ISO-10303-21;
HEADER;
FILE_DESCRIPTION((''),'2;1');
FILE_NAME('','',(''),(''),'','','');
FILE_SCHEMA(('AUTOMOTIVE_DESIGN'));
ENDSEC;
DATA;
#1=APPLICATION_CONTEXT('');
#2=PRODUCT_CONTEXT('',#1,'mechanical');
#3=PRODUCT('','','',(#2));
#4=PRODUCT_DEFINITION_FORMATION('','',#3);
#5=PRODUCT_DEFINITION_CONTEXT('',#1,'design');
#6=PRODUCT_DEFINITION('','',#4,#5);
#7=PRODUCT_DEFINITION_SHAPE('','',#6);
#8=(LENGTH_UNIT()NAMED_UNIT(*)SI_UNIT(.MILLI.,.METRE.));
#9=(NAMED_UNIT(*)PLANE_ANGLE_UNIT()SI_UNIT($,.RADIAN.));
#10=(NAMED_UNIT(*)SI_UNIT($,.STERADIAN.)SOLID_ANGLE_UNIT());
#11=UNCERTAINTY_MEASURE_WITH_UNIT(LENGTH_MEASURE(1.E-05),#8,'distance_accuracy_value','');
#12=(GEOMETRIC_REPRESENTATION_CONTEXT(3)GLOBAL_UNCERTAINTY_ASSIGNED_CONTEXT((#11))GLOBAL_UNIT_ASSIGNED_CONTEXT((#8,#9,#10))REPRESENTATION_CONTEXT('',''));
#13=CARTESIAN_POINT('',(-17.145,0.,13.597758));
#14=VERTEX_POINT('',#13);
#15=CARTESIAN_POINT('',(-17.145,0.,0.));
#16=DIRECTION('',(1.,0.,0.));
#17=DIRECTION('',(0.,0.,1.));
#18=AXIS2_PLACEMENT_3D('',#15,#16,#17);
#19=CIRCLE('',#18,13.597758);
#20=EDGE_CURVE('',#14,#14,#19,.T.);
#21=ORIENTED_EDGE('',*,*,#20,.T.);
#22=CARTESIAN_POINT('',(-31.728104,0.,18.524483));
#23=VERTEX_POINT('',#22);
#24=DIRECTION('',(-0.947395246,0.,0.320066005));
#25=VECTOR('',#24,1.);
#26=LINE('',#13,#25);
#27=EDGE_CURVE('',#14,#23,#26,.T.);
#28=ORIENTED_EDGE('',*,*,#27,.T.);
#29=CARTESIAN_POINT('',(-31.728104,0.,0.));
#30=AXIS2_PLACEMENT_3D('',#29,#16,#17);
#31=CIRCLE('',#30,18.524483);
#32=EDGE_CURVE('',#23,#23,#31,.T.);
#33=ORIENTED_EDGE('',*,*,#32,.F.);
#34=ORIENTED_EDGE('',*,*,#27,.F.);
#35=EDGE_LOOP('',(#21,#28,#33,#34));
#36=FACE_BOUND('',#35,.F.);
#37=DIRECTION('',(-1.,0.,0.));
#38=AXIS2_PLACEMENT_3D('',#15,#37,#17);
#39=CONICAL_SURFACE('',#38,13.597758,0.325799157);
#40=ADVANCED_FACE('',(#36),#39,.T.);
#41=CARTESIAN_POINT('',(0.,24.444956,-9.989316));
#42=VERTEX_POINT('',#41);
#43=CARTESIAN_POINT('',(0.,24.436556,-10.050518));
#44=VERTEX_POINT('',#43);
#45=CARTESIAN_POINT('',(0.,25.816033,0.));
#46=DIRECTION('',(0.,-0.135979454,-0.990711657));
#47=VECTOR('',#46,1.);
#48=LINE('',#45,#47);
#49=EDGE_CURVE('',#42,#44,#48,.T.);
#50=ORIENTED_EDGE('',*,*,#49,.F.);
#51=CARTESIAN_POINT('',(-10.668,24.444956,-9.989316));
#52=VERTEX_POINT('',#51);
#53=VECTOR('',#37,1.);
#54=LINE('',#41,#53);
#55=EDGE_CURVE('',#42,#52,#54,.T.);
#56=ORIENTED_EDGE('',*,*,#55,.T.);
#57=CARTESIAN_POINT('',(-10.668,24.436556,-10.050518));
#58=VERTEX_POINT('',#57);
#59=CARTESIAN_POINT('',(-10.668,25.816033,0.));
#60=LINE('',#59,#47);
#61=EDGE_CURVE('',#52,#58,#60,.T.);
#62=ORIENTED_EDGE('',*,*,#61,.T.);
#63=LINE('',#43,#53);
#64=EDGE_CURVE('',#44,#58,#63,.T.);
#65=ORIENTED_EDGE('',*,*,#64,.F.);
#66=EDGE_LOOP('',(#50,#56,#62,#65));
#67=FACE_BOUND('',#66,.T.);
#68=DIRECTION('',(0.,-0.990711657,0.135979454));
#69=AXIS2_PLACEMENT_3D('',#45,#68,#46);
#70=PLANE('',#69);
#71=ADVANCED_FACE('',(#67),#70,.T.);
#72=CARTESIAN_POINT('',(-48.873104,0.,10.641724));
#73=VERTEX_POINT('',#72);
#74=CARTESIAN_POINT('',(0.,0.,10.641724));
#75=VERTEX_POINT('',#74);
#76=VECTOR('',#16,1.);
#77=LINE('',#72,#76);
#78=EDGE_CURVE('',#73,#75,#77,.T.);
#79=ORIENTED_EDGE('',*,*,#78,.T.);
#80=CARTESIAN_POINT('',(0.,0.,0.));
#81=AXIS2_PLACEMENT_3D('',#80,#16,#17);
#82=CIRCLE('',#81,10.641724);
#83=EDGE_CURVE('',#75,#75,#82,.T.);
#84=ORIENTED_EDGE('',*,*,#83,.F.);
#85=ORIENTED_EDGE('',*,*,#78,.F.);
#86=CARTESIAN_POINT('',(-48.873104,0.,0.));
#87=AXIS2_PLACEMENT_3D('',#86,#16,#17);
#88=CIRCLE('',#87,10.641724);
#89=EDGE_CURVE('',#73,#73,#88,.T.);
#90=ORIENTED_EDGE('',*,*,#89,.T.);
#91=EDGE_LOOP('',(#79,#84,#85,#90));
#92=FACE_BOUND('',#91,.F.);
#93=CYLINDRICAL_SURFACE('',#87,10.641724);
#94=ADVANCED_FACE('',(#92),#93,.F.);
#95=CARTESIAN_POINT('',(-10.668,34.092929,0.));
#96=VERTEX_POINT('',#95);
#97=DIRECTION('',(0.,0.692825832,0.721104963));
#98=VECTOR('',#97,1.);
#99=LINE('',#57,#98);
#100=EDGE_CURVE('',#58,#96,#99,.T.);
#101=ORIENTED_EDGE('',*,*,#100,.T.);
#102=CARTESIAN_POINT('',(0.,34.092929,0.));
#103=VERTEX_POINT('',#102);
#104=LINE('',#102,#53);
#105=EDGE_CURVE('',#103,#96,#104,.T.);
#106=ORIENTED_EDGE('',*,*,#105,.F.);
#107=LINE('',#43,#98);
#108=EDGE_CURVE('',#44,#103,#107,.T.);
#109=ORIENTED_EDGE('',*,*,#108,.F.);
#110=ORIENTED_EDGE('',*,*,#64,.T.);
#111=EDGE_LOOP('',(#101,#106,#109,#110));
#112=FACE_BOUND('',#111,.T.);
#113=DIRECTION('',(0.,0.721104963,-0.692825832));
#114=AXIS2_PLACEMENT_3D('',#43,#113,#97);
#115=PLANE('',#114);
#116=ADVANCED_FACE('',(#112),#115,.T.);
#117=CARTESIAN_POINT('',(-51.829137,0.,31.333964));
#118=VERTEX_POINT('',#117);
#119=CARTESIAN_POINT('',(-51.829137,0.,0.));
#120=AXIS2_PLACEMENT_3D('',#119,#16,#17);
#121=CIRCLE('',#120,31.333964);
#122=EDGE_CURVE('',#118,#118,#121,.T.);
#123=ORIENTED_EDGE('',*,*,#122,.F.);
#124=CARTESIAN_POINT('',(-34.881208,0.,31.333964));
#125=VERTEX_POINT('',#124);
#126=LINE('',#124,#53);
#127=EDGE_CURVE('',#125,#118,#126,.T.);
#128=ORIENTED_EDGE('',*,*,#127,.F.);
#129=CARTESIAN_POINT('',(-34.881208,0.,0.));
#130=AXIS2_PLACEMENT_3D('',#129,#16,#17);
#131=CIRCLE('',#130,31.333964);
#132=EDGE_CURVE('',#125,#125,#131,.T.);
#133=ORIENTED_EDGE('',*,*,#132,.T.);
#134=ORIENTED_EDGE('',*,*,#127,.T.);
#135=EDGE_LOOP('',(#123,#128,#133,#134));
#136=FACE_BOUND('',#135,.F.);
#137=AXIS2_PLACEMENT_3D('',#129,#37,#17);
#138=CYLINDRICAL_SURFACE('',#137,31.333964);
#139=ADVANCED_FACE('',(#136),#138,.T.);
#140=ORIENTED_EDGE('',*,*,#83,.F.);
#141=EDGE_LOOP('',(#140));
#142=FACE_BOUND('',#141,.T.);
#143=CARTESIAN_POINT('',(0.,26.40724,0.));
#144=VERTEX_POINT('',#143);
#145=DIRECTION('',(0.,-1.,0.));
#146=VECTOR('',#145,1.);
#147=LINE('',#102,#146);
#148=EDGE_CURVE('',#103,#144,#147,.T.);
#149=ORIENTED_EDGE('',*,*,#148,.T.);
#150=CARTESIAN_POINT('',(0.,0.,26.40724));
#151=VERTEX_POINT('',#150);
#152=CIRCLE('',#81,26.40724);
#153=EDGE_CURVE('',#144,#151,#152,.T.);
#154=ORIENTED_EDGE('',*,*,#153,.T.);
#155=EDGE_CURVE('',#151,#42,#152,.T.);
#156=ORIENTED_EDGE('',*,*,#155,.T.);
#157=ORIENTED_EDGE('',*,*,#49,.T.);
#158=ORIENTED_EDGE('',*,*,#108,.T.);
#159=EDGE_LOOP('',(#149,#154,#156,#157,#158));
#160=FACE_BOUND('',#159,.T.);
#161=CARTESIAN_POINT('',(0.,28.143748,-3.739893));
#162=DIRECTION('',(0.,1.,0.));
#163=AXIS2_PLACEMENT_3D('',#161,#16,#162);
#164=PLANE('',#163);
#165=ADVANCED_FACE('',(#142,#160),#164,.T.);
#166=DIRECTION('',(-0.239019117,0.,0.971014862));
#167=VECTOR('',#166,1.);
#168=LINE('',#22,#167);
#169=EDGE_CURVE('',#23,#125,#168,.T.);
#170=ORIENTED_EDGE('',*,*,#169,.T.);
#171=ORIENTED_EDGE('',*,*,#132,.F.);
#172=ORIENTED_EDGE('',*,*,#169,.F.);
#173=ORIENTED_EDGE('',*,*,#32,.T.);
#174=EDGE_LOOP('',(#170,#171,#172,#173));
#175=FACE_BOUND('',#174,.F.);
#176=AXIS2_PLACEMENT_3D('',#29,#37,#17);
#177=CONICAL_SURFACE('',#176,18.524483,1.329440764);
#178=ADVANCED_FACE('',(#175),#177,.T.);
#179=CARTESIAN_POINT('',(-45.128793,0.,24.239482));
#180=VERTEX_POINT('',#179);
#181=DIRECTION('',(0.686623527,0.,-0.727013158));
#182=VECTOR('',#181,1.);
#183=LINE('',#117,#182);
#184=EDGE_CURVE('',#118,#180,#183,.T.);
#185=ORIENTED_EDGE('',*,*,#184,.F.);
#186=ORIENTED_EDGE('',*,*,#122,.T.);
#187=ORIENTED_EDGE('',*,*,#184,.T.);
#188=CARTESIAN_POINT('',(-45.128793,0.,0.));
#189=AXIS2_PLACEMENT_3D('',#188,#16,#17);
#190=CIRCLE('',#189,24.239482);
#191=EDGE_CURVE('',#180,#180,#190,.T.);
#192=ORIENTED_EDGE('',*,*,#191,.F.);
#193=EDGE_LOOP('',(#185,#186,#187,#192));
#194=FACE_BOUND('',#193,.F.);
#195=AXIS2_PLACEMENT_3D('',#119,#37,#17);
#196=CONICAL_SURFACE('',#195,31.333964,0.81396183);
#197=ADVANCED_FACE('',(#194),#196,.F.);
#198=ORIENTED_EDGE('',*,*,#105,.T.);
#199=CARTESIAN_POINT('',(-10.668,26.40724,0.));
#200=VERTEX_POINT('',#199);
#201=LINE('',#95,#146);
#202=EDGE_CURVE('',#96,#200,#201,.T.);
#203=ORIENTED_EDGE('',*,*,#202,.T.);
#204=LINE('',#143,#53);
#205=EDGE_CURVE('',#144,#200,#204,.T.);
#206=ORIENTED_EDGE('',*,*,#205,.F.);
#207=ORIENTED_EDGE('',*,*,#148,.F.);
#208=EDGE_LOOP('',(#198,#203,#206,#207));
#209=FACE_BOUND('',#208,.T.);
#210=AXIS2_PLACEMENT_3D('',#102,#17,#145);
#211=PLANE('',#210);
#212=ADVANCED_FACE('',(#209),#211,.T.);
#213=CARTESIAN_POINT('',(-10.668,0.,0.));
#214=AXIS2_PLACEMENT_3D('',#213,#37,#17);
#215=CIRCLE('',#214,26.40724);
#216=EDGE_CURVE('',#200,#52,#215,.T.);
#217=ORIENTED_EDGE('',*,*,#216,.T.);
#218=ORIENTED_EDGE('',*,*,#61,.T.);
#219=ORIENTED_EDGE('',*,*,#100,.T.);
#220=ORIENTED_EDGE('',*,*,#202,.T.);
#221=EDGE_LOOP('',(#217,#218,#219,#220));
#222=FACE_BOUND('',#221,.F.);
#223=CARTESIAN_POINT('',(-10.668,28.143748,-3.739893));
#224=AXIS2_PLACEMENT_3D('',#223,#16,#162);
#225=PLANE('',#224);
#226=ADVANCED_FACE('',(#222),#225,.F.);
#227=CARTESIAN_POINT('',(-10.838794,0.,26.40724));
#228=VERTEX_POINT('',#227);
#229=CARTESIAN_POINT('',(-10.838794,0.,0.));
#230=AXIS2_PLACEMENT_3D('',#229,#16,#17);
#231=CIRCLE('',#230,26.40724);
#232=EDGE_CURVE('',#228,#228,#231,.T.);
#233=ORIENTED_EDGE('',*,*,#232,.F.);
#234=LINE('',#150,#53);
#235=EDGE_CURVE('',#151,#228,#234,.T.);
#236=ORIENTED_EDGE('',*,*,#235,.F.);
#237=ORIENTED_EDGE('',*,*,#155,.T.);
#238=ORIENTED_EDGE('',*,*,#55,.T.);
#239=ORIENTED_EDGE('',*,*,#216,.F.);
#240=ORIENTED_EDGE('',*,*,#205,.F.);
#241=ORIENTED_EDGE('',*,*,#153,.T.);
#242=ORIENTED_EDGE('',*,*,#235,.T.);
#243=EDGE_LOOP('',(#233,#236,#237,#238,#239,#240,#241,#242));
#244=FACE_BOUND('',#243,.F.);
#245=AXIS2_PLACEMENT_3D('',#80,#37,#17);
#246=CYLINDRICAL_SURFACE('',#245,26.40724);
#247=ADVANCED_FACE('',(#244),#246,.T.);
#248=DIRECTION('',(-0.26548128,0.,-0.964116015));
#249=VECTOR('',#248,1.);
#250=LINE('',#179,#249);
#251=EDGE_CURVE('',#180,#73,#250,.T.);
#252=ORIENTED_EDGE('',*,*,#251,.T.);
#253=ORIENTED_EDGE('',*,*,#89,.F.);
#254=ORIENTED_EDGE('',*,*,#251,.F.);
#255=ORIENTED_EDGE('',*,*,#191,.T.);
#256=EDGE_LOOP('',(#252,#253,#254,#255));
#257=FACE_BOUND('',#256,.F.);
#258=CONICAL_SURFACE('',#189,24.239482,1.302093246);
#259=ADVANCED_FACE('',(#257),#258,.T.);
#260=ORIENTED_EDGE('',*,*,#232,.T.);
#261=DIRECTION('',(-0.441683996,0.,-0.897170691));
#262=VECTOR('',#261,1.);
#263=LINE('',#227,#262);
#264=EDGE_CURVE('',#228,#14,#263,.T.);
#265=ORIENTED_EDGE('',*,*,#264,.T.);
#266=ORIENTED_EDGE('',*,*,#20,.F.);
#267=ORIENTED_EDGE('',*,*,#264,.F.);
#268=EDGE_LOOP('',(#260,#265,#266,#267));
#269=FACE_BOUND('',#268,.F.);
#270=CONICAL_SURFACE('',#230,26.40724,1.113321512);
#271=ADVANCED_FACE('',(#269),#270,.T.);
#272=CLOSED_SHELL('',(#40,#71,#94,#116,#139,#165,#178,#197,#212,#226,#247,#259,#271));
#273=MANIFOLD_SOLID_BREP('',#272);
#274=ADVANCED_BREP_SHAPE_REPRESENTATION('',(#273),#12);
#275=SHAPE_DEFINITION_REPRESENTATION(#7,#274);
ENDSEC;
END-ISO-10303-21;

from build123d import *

# Parameters (mm, degrees)
F4_DEPTH = 10.668


with BuildPart() as f2:
    # F0 (on Front) → F2 (revolve)
    with BuildSketch(Plane.XZ):
        Polygon((-45.128793, 24.239482), (-48.873104, 10.641724), (0, 10.641724), (0, 26.40724), (-10.838794, 26.40724), (-17.145, 13.597758), (-31.728104, 18.524483), (-34.881208, 31.333964), (-51.829137, 31.333964), align=None)
    revolve(axis=Axis((-26.604312, 0, 0), (1, 0, 0)))

    # F3 (on Right) → F4 (join)
    with BuildSketch(Plane.YZ):
        Polygon((34.092929, 0), (25.816033, 0), (24.436556, -10.050518), align=None)
    extrude(amount=-F4_DEPTH)


solid = f2.part
